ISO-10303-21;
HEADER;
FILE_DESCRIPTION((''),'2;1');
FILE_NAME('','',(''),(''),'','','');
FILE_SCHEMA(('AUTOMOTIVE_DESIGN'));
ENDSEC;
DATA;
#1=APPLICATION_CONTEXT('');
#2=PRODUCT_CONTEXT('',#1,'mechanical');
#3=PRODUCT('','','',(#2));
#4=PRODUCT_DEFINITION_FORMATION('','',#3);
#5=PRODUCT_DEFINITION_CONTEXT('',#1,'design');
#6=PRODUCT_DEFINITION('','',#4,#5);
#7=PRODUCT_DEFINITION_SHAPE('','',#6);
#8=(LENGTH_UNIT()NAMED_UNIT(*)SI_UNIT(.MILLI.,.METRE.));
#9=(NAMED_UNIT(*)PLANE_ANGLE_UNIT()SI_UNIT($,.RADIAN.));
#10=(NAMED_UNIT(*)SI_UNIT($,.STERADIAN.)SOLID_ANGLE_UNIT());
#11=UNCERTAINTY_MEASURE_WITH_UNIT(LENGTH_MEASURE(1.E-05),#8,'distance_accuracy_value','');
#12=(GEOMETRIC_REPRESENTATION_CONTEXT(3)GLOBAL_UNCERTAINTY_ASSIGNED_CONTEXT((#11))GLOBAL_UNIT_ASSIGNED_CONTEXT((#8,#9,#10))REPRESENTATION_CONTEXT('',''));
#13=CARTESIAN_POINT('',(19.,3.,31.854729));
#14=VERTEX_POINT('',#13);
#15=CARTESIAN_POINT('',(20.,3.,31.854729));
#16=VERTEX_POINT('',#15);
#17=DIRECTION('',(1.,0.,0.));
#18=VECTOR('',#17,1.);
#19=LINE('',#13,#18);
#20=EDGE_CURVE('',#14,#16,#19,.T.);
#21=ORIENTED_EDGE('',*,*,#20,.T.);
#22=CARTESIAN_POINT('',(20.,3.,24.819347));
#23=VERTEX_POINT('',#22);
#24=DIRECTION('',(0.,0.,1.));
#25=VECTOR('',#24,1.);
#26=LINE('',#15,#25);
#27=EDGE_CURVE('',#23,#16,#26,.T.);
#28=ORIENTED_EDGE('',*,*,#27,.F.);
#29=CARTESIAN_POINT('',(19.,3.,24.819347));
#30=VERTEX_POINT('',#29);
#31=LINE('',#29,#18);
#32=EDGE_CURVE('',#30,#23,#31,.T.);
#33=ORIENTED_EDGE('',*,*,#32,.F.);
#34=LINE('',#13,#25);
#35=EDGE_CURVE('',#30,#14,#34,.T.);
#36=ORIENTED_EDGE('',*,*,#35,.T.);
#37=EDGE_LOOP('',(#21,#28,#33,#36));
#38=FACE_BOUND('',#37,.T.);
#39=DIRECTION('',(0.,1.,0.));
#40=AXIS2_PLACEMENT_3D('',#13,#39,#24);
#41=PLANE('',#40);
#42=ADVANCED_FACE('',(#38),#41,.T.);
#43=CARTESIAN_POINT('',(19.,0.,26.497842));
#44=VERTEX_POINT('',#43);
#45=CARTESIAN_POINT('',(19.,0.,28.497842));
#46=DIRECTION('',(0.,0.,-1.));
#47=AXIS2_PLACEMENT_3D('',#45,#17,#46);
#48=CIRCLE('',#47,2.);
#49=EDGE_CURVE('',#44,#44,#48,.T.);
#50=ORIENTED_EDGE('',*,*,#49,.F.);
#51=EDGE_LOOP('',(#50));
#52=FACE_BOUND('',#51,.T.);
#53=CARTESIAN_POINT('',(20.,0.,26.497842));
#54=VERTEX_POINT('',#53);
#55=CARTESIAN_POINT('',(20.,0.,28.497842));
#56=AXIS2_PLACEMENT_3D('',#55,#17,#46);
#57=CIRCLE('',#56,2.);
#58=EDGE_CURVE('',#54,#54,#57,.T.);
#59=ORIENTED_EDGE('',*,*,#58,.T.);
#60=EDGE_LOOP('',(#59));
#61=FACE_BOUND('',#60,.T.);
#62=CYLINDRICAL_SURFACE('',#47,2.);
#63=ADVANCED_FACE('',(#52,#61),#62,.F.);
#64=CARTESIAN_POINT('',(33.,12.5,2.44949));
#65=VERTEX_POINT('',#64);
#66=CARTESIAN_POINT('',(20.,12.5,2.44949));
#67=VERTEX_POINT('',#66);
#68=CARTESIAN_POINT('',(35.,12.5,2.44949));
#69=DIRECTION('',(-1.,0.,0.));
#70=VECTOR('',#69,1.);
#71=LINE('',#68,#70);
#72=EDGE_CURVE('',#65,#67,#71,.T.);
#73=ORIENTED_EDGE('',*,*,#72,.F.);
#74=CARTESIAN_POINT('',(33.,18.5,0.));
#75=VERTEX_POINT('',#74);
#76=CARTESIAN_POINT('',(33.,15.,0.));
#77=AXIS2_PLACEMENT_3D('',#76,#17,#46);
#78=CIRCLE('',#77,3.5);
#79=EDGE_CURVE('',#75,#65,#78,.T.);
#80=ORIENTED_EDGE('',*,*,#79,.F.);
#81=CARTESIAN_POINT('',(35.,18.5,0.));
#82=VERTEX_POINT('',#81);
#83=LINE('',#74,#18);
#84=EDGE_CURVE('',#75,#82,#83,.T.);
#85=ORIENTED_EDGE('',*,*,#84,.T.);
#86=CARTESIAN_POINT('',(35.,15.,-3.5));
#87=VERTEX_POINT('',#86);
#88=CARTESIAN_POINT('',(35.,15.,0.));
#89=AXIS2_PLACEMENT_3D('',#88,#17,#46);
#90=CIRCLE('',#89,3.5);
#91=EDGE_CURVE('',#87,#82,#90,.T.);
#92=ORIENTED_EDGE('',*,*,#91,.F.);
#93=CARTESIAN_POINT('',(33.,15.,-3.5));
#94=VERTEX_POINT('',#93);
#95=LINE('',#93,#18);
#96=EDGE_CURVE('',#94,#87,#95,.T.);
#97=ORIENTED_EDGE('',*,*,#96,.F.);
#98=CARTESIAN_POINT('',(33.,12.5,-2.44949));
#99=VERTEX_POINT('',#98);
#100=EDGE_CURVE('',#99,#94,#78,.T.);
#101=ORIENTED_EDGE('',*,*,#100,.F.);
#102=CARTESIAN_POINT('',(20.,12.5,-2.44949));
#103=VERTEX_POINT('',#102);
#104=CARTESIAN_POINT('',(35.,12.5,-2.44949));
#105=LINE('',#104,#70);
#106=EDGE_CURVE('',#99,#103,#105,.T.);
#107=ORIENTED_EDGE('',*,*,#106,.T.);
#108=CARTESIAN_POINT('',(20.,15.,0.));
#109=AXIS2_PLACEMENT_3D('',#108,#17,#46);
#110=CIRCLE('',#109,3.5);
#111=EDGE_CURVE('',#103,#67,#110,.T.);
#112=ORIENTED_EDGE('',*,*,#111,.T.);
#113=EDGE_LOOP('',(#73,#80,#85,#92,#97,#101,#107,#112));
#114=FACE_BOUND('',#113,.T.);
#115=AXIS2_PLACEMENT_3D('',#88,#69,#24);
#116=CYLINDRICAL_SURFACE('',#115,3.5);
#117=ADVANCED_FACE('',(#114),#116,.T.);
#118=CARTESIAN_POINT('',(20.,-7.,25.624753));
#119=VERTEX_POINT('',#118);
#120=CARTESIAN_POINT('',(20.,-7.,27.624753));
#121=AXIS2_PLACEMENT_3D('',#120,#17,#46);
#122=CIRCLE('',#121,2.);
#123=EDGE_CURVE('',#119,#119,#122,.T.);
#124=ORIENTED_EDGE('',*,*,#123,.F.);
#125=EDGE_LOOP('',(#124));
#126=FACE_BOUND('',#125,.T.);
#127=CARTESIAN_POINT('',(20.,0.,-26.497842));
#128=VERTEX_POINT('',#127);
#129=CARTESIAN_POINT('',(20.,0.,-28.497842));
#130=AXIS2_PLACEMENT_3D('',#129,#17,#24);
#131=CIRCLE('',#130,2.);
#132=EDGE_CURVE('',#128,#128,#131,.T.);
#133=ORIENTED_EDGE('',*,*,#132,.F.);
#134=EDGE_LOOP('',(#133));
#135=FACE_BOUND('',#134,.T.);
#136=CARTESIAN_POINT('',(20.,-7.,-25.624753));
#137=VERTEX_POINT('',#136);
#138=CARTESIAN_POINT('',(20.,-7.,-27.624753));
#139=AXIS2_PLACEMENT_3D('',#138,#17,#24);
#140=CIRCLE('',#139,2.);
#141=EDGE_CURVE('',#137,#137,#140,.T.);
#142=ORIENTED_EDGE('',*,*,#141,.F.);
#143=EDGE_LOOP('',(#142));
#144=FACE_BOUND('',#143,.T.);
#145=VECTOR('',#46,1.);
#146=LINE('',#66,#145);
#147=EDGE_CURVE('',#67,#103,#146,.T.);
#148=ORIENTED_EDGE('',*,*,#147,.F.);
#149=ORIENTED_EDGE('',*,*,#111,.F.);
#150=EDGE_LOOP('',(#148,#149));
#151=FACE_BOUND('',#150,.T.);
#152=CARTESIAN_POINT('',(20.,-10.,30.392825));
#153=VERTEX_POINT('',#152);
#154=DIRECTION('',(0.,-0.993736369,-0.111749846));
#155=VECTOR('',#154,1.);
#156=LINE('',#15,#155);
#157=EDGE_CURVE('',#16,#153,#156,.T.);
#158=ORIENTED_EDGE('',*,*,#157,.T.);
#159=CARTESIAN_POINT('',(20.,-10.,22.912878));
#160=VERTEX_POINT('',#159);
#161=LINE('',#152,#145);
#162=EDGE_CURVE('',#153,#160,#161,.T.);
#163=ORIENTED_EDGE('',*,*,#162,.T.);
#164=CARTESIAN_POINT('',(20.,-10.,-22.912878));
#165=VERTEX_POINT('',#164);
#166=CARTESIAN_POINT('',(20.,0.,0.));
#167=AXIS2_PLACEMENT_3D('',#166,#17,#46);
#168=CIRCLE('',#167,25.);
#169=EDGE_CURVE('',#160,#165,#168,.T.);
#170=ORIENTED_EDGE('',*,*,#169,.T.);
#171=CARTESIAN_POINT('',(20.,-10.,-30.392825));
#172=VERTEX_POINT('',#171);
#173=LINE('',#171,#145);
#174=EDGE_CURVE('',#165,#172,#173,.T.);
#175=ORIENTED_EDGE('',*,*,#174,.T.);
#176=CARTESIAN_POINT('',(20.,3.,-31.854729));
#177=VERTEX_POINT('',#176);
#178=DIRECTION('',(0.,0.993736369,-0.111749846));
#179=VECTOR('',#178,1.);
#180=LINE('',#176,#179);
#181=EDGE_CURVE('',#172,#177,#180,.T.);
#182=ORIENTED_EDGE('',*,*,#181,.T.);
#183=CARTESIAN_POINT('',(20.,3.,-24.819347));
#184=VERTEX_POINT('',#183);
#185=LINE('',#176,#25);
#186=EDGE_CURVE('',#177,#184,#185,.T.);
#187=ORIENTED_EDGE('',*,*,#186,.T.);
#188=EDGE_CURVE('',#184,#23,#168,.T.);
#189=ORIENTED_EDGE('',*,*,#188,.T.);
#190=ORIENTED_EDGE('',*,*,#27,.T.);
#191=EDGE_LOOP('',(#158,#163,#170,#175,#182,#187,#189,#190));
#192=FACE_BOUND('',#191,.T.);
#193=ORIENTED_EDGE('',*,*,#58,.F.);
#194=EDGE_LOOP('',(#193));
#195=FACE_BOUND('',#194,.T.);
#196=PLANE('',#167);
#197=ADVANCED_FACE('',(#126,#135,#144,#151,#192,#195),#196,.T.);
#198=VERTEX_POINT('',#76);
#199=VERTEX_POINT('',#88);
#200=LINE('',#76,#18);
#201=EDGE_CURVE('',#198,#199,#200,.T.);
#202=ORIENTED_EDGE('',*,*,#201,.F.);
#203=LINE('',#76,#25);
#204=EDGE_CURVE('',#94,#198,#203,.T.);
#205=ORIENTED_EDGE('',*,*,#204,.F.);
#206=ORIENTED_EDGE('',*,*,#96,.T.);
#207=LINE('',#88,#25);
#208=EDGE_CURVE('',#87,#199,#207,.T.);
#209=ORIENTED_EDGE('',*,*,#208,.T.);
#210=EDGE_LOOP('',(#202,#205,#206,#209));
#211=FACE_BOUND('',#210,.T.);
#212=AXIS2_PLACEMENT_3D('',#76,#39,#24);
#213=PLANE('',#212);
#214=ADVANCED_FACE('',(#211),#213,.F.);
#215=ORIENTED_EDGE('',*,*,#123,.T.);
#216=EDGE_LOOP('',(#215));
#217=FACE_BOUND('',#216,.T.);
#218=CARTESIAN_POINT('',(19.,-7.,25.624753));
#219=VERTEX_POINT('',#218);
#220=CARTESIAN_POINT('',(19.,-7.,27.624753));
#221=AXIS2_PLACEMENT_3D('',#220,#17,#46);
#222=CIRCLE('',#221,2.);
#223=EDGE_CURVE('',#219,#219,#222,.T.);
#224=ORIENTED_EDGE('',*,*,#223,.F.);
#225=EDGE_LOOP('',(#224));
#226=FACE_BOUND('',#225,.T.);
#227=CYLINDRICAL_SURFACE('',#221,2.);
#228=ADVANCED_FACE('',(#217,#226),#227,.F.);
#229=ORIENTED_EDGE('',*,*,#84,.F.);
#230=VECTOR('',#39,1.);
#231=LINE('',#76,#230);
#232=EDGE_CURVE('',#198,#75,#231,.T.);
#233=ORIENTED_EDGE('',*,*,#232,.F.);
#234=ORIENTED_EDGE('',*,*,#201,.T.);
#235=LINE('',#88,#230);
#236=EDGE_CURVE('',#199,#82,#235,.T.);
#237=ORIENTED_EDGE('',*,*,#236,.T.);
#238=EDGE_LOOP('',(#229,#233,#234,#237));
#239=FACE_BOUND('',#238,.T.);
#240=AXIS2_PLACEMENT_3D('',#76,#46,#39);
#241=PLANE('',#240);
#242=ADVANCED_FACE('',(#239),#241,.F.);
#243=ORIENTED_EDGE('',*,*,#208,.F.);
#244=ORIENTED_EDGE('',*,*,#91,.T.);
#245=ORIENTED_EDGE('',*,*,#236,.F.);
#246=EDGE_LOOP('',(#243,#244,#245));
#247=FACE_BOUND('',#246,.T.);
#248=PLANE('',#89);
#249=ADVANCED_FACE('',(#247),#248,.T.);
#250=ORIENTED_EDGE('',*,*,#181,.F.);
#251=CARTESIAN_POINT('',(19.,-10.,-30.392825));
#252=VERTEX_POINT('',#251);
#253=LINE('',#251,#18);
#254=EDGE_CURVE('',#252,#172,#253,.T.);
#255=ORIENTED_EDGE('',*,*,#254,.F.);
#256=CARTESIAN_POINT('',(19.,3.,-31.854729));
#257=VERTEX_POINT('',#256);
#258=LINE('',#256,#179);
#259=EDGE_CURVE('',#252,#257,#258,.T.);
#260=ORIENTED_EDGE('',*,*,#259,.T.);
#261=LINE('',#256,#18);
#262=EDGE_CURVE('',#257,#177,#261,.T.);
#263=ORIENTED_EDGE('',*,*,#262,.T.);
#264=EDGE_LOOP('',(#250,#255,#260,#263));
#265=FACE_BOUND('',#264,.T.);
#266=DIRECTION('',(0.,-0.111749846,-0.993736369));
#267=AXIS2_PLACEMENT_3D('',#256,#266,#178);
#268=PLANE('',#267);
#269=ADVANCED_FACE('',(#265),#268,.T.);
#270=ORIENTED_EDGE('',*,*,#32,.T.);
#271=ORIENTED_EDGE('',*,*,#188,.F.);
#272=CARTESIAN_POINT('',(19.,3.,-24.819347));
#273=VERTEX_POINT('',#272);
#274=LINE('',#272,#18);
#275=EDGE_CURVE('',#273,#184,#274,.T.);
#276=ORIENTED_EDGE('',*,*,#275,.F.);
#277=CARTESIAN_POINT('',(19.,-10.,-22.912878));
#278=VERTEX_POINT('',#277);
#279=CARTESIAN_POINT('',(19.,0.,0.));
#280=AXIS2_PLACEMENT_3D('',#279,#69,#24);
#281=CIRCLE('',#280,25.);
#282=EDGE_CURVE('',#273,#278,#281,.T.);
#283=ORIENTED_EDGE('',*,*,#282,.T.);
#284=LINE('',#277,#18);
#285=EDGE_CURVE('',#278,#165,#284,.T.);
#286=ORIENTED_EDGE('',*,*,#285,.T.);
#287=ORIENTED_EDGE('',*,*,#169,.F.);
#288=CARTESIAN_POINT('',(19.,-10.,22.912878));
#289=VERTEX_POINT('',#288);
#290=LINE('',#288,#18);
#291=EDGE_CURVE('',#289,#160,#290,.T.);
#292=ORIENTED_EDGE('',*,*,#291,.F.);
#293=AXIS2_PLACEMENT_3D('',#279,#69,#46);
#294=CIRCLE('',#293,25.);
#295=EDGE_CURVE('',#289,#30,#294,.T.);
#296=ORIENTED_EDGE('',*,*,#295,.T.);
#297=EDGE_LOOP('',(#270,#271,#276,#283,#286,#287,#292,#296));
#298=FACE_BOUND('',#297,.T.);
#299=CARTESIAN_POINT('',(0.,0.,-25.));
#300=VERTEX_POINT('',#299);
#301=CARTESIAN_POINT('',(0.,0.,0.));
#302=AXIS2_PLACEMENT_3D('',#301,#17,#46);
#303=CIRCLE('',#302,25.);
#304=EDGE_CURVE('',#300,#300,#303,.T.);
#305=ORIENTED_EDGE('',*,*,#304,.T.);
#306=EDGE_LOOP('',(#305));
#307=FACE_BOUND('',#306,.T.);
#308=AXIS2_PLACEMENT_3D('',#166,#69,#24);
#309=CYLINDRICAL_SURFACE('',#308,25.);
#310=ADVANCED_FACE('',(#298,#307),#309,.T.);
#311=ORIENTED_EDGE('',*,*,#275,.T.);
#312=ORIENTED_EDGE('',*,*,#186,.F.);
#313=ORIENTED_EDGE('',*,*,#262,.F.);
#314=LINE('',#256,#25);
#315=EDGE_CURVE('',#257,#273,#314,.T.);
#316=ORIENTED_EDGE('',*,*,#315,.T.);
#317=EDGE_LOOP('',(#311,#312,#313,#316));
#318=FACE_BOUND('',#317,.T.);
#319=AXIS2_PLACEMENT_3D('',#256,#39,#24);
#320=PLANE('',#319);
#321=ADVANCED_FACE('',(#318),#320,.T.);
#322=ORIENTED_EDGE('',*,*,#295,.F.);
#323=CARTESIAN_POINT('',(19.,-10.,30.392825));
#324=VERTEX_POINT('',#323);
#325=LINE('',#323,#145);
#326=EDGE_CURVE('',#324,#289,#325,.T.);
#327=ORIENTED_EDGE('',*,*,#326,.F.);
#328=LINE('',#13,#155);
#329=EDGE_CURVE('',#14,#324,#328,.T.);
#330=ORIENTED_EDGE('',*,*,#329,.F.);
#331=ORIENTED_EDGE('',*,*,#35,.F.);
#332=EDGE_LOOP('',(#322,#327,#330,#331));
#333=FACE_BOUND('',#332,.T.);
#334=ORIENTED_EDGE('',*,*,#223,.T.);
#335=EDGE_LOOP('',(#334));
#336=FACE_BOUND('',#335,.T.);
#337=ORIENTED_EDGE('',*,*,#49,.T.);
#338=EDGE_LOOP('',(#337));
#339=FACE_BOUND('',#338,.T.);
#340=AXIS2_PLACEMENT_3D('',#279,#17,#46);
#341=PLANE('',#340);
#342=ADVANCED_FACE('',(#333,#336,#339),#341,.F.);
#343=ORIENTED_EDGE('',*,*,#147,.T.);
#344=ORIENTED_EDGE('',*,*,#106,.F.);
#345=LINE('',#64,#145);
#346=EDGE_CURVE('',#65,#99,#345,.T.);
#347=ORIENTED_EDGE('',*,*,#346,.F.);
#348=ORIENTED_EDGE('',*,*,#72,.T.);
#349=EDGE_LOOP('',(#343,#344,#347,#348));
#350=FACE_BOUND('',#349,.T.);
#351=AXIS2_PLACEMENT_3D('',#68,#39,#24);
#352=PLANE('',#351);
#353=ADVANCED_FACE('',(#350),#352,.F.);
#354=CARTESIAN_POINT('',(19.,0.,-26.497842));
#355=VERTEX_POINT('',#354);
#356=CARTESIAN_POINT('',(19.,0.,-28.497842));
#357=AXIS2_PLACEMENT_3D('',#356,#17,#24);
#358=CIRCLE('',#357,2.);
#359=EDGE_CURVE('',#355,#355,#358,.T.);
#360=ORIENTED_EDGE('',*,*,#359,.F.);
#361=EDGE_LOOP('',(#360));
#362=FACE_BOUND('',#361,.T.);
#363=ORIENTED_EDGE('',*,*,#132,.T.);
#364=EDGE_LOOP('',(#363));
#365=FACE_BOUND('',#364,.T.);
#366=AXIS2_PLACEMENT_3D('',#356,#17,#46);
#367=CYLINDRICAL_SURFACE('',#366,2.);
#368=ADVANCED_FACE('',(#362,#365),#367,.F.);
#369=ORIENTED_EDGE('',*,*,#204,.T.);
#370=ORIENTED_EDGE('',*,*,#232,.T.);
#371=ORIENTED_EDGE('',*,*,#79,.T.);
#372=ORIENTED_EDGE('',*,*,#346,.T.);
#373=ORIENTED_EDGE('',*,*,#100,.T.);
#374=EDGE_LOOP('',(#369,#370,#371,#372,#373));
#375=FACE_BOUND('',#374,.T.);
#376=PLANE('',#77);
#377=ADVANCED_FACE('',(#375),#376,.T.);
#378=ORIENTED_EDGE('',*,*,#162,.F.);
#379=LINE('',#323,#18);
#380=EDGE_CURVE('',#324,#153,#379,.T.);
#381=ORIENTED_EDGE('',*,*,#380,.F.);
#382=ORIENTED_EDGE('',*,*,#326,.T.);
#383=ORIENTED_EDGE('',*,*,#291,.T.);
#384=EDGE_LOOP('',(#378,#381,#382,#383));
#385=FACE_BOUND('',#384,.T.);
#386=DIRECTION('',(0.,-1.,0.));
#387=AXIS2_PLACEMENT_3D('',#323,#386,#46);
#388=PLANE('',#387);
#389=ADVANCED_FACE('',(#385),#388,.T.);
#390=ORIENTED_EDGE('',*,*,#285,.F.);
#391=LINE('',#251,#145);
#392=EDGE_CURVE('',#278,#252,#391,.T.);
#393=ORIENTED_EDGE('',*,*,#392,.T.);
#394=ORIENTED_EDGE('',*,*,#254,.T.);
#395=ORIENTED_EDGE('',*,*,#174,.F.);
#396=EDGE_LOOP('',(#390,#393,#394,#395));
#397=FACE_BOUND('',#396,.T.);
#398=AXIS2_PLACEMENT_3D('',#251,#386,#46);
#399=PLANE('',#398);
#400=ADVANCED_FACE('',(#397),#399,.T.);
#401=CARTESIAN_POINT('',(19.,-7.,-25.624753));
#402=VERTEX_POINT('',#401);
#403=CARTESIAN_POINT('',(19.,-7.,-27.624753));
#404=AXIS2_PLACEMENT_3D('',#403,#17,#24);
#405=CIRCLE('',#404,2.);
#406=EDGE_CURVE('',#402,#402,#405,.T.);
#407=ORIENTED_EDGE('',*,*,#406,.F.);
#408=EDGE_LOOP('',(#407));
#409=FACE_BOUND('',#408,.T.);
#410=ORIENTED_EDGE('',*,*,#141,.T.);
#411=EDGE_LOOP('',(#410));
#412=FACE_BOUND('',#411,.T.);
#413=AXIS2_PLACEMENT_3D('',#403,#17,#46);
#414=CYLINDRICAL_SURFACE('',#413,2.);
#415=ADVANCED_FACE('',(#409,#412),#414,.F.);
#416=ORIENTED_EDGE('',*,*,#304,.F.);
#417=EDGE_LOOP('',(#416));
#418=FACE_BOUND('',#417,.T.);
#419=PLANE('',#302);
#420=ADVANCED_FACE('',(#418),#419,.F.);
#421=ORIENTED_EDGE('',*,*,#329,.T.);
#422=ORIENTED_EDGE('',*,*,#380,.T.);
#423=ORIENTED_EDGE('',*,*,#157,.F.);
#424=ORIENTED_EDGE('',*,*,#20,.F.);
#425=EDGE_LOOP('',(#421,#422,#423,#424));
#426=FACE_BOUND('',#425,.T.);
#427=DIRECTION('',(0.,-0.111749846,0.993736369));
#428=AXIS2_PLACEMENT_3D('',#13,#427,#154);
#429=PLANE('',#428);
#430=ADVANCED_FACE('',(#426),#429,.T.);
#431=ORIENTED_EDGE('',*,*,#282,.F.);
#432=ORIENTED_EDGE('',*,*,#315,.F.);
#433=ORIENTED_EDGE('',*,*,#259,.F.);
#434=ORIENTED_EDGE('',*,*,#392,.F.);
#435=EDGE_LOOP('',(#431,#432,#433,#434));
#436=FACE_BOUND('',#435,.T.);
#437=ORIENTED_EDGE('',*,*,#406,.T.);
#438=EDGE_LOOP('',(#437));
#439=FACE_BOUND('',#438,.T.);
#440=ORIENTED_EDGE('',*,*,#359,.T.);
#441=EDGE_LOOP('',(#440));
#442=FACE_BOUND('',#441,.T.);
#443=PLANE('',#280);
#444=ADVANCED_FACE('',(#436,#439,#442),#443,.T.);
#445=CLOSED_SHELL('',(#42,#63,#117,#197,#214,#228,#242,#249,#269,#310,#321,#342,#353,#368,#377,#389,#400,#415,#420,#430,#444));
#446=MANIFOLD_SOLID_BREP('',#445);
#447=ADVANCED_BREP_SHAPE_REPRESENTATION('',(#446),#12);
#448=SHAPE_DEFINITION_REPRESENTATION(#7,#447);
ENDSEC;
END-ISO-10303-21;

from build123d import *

# Parameters (mm, degrees)
SKETCH1_R           = 25
BOSS_EXTRUDE1_DEPTH = 20
BOSS_EXTRUDE2_DEPTH = 15
SKETCH3_R           = 2
BOSS_EXTRUDE3_DEPTH = 1
CUT_EXTRUDE1_DEPTH  = 2


with BuildPart() as part:
    # Sketch1 → Boss-Extrude1 (new body)
    with BuildSketch(Plane(origin=(0, 0, 0), x_dir=(0, 0, -1), z_dir=(1, 0, 0))):
        Circle(SKETCH1_R)
    extrude(amount=BOSS_EXTRUDE1_DEPTH)

    # Sketch2 → Boss-Extrude2 (add)
    with BuildSketch(Plane(origin=(20, 0, 0), x_dir=(0, 0, -1), z_dir=(1, 0, 0))):
        with BuildLine():
            Line((-2.449489743, 12.5), (2.449489743, 12.5))
            ThreePointArc((2.449489743, 12.5), (0, 18.5), (-2.449489743, 12.5))
        make_face()
    extrude(amount=BOSS_EXTRUDE2_DEPTH)

    # Sketch3 → Boss-Extrude3 (add)
    with BuildSketch(Plane(origin=(20, 0, 0), x_dir=(0, 0, -1), z_dir=(1, 0, 0))):
        with BuildLine():
            Line((-31.854729385, 3), (-30.392824551, -10))
            Line((-30.392824551, -10), (-22.912878475, -10))
            ThreePointArc((-22.912878475, -10), (-24.735426905, -3.62748616), (-24.819347292, 3))
            Line((-24.819347292, 3), (-31.854729385, 3))
        make_face()
        with Locations((-28.497841918, 0)):
            Circle(SKETCH3_R, mode=Mode.SUBTRACT)
        with Locations((-27.624753284, -7)):
            Circle(SKETCH3_R, mode=Mode.SUBTRACT)
        with BuildLine():
            Line((31.854729385, 3), (30.392824551, -10))
            Line((30.392824551, -10), (22.912878475, -10))
            ThreePointArc((22.912878475, -10), (24.735426905, -3.62748616), (24.819347292, 3))
            Line((24.819347292, 3), (31.854729385, 3))
        make_face()
        with Locations((27.624753284, -7)):
            Circle(SKETCH3_R, mode=Mode.SUBTRACT)
        with Locations((28.497841918, 0)):
            Circle(SKETCH3_R, mode=Mode.SUBTRACT)
    extrude(amount=-BOSS_EXTRUDE3_DEPTH)

    # Sketch4 → Cut-Extrude1 (cut)
    with BuildSketch(Plane(origin=(35, 0, 0), x_dir=(0, 0, -1), z_dir=(1, 0, 0))):
        with BuildLine():
            Line((0, 15), (3.5, 15))
            ThreePointArc((3.5, 15), (-2.474873734, 12.525126266), (0, 18.5))
            Line((0, 18.5), (0, 15))
        make_face()
    extrude(amount=-CUT_EXTRUDE1_DEPTH, mode=Mode.SUBTRACT)


solid = part.part
